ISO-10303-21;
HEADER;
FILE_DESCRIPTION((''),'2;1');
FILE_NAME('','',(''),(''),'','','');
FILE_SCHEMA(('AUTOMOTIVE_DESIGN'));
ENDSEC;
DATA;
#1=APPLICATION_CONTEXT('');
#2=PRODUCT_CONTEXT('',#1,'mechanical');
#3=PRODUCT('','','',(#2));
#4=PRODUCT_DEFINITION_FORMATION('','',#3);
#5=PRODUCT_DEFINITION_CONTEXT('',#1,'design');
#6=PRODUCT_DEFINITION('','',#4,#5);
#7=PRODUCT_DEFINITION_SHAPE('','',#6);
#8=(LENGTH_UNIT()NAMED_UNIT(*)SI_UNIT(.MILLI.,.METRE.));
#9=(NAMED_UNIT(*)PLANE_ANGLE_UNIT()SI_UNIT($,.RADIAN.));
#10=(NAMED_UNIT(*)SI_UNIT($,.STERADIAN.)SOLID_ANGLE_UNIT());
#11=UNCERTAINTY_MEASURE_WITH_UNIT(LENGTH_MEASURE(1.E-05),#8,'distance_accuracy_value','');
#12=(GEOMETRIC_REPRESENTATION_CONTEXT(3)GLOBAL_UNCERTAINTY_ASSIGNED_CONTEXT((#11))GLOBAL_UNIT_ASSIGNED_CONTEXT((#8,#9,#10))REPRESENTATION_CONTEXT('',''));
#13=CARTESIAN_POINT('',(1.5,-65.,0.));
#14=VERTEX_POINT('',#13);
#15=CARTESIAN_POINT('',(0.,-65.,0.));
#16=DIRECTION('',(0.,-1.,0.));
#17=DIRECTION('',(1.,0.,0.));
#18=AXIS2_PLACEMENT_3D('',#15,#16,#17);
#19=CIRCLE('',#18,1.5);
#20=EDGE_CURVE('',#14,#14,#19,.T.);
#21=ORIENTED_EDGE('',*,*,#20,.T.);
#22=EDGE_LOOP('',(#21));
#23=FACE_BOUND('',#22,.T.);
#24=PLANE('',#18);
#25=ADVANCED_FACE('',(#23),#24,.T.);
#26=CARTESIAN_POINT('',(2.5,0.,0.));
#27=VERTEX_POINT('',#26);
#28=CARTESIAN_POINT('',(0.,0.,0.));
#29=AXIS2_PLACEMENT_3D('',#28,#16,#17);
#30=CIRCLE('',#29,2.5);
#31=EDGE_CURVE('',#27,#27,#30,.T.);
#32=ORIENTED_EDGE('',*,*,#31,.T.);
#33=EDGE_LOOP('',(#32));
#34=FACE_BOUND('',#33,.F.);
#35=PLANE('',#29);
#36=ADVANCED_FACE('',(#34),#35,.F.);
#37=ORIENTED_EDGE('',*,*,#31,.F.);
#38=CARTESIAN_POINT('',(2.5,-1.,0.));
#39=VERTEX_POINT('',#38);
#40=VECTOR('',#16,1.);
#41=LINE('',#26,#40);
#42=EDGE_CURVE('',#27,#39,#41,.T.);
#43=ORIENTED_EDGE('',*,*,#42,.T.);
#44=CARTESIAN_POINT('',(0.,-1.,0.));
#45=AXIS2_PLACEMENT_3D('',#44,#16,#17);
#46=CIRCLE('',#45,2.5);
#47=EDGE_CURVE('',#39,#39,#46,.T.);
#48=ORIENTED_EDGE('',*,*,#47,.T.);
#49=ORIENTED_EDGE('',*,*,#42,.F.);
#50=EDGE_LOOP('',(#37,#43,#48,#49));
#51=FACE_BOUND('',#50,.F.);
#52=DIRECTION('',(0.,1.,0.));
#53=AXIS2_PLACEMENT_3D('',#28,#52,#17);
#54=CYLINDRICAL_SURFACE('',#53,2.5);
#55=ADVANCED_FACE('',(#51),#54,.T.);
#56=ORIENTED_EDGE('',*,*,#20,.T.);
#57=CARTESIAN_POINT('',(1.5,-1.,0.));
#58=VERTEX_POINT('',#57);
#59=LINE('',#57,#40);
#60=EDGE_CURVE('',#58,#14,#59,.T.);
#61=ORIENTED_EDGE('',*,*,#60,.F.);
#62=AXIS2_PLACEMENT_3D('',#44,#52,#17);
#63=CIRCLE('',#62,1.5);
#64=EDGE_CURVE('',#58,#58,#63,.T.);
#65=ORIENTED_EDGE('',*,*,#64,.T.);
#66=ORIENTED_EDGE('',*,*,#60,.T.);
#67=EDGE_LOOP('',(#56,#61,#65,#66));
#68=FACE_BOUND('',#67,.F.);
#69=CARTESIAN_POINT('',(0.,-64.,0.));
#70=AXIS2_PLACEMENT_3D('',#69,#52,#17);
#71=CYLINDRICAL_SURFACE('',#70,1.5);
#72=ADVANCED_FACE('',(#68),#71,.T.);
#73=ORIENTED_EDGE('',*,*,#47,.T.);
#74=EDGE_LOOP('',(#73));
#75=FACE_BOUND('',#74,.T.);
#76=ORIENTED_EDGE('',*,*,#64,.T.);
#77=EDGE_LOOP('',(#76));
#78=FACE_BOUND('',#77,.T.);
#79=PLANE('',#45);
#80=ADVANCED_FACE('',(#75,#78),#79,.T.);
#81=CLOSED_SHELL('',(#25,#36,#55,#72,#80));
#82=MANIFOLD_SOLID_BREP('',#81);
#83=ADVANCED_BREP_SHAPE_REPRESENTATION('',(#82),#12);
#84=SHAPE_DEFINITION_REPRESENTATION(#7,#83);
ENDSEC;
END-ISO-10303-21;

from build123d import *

# Parameters (mm, degrees)
F0_R     = 2.5
F0_R_2   = 1.5
F1_DEPTH = 1
F2_DEPTH = 64
F3_DEPTH = 1


with BuildPart() as f1:
    # F0 (on Front) → F1 (new body)
    with BuildSketch(Plane.XZ):
        Circle(F0_R)
        Circle(F0_R_2, mode=Mode.SUBTRACT)
        Circle(F0_R_2)
    extrude(amount=F1_DEPTH)

    # F0 (on Front) → F2 (join)
    with BuildSketch(Plane.XZ):
        Circle(F0_R_2)
    extrude(amount=F2_DEPTH)

    # F3 (add): a face of the model
    f3_faces = [f1.faces().sort_by_distance(p)[0] for p in [
        (0, -64, 0),
    ]]
    extrude(f3_faces, amount=F3_DEPTH)


solid = f1.part
